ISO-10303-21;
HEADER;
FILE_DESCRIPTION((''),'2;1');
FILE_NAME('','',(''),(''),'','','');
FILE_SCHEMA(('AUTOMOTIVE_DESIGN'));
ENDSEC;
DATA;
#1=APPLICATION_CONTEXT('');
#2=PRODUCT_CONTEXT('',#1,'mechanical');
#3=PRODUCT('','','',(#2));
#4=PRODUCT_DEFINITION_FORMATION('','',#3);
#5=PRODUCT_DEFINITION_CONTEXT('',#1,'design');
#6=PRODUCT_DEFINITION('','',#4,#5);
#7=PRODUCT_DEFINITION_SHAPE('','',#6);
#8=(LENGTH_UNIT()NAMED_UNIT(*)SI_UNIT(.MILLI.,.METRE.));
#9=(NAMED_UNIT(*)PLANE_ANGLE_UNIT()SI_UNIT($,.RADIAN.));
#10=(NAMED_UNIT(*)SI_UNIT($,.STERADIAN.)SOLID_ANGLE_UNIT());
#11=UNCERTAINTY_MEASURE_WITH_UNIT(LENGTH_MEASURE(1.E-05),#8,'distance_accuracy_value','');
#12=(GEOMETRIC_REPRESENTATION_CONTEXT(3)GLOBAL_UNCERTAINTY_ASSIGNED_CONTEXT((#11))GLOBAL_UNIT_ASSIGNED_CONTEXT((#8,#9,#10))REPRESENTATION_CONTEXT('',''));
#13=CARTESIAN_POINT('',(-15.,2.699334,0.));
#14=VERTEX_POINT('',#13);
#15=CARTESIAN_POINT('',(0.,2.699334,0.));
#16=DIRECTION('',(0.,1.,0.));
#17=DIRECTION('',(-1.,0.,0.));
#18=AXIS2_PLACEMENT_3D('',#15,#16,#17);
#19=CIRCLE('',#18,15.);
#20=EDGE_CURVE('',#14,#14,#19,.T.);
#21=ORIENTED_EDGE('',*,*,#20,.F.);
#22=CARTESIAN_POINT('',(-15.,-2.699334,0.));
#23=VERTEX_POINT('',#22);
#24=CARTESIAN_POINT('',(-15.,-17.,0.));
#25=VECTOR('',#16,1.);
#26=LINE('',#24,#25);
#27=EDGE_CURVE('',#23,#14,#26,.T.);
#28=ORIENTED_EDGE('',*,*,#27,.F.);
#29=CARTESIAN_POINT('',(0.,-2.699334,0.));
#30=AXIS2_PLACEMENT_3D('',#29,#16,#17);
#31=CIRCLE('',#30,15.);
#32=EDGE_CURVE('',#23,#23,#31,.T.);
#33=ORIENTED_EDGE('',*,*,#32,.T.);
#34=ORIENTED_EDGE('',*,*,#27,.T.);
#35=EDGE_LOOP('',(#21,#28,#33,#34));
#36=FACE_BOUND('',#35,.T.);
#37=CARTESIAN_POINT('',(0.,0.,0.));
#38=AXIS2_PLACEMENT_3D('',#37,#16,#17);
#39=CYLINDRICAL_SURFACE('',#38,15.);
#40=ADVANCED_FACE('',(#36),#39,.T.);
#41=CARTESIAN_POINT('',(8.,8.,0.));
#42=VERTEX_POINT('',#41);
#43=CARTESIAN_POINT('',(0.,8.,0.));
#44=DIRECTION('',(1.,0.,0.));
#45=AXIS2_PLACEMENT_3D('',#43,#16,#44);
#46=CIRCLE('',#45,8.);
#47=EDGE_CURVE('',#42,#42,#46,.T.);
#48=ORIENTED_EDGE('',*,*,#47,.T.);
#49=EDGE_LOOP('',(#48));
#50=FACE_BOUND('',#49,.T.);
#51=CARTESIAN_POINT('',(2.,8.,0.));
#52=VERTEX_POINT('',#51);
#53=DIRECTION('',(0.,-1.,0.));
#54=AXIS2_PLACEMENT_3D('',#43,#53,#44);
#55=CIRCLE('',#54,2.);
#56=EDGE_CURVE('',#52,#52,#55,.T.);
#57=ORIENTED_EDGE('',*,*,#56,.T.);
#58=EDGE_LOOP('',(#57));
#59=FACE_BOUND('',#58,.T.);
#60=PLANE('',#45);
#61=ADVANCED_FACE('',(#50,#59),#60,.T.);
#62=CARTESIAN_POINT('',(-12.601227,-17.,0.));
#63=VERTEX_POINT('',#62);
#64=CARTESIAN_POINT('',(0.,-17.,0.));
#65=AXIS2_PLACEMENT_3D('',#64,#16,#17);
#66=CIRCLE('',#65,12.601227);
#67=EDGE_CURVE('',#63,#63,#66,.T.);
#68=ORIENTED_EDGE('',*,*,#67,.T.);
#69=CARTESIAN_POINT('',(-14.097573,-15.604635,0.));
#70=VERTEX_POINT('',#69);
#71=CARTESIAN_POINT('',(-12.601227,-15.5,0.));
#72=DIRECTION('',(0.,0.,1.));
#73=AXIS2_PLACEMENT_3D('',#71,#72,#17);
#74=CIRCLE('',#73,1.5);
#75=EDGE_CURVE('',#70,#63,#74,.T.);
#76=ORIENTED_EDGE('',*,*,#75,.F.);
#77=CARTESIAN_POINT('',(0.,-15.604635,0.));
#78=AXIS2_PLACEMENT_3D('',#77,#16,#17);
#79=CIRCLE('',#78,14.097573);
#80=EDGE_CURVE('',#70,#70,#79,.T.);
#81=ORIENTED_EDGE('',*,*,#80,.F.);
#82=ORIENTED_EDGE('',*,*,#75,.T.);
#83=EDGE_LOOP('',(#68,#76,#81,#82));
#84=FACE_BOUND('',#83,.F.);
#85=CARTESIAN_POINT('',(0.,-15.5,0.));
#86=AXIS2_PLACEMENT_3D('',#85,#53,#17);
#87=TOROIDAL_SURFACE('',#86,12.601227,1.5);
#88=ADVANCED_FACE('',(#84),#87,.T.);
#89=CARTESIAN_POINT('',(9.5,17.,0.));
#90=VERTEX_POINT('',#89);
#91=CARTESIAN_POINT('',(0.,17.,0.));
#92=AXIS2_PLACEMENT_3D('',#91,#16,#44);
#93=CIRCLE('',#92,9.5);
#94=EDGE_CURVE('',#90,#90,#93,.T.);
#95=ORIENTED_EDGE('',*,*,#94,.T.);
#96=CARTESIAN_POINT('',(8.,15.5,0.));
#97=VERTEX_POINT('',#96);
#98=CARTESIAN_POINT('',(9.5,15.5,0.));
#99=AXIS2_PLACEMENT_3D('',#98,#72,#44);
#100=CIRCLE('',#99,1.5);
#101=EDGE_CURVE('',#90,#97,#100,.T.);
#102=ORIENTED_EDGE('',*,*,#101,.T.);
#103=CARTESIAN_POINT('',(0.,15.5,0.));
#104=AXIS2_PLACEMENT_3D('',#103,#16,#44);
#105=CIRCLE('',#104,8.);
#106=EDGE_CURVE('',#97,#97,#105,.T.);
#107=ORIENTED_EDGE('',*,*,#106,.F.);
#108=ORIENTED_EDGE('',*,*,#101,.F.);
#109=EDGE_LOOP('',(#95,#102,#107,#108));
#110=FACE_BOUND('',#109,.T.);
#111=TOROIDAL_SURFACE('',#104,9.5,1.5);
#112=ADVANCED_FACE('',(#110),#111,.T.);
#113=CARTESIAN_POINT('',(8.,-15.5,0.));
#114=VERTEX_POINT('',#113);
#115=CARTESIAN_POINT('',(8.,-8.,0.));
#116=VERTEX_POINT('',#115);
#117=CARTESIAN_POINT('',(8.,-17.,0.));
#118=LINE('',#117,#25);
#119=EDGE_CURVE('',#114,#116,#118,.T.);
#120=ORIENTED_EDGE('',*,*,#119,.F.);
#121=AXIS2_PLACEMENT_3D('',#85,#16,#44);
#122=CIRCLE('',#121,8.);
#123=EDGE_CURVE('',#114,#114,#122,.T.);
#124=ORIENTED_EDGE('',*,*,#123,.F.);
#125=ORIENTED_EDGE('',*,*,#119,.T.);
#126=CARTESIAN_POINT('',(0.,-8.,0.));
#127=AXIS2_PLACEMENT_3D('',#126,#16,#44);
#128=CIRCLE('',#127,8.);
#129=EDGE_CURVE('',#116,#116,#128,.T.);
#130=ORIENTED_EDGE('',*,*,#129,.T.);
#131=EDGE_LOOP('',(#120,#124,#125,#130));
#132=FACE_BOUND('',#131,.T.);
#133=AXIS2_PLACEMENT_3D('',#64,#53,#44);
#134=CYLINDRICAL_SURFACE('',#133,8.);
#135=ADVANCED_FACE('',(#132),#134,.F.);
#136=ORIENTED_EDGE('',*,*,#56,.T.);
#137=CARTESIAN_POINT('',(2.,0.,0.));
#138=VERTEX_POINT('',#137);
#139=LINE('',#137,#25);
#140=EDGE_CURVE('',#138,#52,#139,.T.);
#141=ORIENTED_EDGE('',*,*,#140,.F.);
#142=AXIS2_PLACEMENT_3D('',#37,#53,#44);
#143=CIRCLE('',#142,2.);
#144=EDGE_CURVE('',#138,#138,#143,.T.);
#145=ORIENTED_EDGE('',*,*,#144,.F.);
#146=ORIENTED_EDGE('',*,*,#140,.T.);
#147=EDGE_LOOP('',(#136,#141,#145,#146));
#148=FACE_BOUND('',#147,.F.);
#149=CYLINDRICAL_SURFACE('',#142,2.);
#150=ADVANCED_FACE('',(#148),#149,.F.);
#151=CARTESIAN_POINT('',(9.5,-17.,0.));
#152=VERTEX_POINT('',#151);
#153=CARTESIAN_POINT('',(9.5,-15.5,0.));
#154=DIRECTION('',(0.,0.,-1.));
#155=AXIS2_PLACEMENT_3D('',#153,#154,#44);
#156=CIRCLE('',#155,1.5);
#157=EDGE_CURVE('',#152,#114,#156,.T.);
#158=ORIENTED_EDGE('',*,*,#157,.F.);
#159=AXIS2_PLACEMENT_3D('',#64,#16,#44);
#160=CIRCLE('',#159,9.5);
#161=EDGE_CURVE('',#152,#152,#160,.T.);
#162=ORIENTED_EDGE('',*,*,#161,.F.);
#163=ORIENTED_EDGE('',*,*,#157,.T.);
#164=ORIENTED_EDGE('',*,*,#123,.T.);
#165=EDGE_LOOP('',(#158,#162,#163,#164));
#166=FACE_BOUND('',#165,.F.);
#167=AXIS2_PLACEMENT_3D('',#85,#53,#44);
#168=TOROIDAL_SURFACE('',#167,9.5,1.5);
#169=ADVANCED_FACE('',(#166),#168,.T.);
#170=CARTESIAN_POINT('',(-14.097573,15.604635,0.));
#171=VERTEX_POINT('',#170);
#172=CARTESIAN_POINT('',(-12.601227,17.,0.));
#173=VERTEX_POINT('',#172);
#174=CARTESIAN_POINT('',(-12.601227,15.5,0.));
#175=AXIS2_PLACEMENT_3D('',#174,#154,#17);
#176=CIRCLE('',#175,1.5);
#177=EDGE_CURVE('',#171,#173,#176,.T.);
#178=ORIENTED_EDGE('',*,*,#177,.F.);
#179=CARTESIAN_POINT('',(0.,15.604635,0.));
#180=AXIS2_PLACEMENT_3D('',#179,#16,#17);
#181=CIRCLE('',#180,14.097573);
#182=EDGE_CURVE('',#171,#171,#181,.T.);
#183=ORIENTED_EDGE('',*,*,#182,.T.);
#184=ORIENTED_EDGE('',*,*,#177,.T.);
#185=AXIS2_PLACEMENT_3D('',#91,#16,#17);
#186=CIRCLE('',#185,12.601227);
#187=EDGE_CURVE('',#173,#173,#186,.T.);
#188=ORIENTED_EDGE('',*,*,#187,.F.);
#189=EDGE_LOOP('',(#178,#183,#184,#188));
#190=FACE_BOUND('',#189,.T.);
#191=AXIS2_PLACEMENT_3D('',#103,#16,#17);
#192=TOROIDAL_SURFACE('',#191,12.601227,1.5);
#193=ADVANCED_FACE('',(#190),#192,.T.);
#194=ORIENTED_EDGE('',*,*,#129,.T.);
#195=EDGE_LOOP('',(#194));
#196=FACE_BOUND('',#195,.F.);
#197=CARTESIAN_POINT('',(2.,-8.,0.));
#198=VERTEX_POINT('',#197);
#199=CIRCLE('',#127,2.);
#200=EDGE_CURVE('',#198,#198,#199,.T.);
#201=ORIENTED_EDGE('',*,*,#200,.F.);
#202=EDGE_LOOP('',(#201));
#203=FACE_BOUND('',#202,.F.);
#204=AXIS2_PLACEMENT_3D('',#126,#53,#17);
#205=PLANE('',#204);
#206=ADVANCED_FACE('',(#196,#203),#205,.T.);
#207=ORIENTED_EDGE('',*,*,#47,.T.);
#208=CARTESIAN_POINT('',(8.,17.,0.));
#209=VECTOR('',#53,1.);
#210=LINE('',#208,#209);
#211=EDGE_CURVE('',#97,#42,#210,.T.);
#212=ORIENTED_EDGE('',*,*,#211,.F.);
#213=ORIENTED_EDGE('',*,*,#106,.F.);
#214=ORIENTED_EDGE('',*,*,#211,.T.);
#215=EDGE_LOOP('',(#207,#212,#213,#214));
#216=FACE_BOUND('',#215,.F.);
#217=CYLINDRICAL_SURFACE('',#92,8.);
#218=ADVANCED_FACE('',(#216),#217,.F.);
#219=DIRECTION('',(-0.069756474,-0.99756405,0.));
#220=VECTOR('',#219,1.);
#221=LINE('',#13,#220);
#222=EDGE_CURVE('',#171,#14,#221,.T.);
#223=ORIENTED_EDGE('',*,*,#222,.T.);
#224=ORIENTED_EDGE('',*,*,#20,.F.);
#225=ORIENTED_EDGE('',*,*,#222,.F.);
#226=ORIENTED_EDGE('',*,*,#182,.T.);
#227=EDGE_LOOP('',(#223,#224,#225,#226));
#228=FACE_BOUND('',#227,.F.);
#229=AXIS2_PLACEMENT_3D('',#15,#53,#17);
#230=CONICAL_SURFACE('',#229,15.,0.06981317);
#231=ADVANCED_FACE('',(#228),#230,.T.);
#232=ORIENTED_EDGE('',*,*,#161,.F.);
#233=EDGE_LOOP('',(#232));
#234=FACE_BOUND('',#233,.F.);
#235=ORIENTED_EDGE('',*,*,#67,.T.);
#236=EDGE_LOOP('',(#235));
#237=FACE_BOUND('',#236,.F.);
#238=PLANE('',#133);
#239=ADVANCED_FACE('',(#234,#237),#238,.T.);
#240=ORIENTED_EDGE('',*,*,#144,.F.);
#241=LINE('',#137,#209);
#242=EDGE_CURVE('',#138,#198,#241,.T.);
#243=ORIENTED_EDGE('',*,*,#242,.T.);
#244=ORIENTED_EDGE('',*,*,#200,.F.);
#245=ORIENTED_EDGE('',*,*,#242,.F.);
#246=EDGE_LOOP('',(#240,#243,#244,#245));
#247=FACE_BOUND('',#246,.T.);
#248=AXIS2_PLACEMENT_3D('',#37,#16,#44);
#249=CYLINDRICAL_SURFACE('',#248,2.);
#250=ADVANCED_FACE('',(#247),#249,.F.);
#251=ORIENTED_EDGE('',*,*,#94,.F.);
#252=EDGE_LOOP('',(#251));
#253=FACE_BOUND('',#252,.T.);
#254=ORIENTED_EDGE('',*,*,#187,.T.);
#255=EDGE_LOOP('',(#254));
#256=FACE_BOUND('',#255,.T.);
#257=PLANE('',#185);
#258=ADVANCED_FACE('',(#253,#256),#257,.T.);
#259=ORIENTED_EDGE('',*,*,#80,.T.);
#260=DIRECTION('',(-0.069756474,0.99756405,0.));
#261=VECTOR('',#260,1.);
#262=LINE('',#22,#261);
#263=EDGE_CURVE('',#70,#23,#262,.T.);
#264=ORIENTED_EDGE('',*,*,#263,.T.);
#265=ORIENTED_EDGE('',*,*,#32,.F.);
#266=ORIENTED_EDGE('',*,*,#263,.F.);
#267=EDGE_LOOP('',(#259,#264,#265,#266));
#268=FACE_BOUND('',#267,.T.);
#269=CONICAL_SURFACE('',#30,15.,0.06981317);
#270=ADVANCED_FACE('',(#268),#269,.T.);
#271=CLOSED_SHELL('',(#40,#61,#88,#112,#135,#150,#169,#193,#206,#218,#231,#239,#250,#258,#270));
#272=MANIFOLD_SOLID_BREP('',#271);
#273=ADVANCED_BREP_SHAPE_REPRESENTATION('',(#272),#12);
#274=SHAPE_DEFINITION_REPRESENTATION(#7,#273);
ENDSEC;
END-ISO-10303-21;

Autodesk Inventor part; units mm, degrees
ref_plane "YZ Plane" through (0, 0, 0) normal (1, 0, 0) x (0, 1, 0)
ref_plane "XZ Plane" through (0, 0, 0) normal (0, 1, 0) x (-1, 0, 0)
ref_plane "XY Plane" through (0, 0, 0) normal (0, 0, 1) x (1, 0, 0)
sketch "Esquisse1" plane through (0, 0, 0) normal (0, 1, 0) x (-1, 0, 0)
  circle A0 centre (0, 0) radius 15
  dimension "d0" = 30
extrude "Extrusion1" add sketch "Esquisse1" along normal blind 17
chamfer "Chanfrein1" distance 1 angle 86 1 edges at (15, 17, 0) measured on face at (-3.8878, 17, -2.119)
fillet "Congé1" radius 1.5 1 edges at (14, 17, 0)
sketch "Esquisse2" plane through (0, 17, 0) normal (0, 1, 0) x (1, 0, 0)
  circle A0 centre (0, 0) radius 8
  dimension "d7" = 16
extrude "Extrusion2" cut sketch "Esquisse2" against normal blind 9
fillet "Congé2" radius 1.5 1 edges at (-8, 17, 0)
sketch "Esquisse3" plane through (0, 0, 0) normal (0, -1, 0) x (1, 0, 0)
  circle A0 centre (0, 0) radius 2
  dimension "d11" = 4
extrude "Extrusion3" cut sketch "Esquisse3" against normal blind 9
mirror "Symétrie1" about plane through (0, 0, 0) normal (0, -1, 0) of "Extrusion1", "Chanfrein1", "Congé1", "Extrusion2", "Congé2", "Extrusion3"
properties part number "Pied" material "Caoutchouc"
